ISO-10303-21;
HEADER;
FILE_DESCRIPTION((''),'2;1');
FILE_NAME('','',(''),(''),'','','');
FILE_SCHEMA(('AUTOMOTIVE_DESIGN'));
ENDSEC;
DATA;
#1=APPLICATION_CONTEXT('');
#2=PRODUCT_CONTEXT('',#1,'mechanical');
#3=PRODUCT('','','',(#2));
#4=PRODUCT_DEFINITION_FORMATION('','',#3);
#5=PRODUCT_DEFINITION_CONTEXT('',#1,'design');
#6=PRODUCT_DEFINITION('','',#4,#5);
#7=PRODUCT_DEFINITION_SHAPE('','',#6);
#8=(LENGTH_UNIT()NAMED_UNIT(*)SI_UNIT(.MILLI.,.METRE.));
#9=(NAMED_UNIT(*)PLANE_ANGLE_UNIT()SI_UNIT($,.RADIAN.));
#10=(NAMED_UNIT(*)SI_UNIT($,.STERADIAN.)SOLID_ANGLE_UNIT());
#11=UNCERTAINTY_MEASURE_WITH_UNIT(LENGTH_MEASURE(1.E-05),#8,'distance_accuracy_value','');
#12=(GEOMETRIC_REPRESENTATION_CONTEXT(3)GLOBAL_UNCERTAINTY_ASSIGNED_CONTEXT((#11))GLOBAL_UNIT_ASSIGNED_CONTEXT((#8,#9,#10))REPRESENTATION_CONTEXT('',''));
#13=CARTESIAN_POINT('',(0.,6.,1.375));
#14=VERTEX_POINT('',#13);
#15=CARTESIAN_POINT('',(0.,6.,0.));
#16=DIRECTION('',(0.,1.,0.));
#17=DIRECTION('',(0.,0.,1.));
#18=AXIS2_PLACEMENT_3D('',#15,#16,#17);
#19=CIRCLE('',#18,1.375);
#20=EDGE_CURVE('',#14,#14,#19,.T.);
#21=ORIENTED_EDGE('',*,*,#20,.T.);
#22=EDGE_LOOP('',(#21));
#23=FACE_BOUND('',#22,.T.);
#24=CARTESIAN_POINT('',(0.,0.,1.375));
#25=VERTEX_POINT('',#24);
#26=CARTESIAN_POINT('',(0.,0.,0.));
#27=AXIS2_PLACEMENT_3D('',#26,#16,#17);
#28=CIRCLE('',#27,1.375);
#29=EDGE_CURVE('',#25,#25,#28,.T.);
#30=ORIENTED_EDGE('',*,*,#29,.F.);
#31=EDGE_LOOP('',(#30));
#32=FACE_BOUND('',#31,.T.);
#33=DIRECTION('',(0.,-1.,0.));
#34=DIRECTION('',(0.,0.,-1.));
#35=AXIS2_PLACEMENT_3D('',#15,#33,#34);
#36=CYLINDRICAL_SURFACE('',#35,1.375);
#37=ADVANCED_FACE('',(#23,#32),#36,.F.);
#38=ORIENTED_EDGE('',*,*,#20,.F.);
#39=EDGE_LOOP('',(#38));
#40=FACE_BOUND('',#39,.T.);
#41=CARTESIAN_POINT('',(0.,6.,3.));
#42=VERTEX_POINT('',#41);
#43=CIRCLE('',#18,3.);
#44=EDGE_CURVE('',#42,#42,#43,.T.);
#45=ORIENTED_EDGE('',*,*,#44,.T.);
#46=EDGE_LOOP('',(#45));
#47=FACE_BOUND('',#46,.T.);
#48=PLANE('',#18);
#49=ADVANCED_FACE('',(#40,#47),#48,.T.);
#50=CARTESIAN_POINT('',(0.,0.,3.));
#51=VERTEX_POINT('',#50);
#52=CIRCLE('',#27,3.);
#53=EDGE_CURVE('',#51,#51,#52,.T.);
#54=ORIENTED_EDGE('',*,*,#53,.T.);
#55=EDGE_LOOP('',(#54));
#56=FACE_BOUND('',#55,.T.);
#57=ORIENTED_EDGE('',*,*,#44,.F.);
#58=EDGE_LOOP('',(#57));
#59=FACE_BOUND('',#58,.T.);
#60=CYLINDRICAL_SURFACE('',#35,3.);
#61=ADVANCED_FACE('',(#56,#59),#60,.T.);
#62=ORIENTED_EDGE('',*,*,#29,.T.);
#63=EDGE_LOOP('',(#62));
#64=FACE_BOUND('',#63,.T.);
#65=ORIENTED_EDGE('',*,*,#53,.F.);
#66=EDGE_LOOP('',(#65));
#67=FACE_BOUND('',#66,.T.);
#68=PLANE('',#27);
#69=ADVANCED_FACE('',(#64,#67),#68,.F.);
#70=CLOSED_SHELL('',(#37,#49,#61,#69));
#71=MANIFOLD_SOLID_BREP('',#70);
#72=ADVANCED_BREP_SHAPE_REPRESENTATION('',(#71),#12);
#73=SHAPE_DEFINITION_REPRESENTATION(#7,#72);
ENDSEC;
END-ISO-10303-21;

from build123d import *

# Parameters (mm, degrees)
SKETCH1_R           = 3
SKETCH1_R_2         = 1.375
BOSS_EXTRUDE1_DEPTH = 6


with BuildPart() as part:
    # Sketch1 → Boss-Extrude1 (new body)
    with BuildSketch(Plane(origin=(0, 0, 0), x_dir=(1, 0, 0), z_dir=(0, 1, 0))):
        with Locations(Location((0, 0, 0), (0, 0, 270))):
            Circle(SKETCH1_R)
        with Locations(Location((0, 0, 0), (0, 0, 270))):
            Circle(SKETCH1_R_2, mode=Mode.SUBTRACT)
    extrude(amount=BOSS_EXTRUDE1_DEPTH)


solid = part.part
